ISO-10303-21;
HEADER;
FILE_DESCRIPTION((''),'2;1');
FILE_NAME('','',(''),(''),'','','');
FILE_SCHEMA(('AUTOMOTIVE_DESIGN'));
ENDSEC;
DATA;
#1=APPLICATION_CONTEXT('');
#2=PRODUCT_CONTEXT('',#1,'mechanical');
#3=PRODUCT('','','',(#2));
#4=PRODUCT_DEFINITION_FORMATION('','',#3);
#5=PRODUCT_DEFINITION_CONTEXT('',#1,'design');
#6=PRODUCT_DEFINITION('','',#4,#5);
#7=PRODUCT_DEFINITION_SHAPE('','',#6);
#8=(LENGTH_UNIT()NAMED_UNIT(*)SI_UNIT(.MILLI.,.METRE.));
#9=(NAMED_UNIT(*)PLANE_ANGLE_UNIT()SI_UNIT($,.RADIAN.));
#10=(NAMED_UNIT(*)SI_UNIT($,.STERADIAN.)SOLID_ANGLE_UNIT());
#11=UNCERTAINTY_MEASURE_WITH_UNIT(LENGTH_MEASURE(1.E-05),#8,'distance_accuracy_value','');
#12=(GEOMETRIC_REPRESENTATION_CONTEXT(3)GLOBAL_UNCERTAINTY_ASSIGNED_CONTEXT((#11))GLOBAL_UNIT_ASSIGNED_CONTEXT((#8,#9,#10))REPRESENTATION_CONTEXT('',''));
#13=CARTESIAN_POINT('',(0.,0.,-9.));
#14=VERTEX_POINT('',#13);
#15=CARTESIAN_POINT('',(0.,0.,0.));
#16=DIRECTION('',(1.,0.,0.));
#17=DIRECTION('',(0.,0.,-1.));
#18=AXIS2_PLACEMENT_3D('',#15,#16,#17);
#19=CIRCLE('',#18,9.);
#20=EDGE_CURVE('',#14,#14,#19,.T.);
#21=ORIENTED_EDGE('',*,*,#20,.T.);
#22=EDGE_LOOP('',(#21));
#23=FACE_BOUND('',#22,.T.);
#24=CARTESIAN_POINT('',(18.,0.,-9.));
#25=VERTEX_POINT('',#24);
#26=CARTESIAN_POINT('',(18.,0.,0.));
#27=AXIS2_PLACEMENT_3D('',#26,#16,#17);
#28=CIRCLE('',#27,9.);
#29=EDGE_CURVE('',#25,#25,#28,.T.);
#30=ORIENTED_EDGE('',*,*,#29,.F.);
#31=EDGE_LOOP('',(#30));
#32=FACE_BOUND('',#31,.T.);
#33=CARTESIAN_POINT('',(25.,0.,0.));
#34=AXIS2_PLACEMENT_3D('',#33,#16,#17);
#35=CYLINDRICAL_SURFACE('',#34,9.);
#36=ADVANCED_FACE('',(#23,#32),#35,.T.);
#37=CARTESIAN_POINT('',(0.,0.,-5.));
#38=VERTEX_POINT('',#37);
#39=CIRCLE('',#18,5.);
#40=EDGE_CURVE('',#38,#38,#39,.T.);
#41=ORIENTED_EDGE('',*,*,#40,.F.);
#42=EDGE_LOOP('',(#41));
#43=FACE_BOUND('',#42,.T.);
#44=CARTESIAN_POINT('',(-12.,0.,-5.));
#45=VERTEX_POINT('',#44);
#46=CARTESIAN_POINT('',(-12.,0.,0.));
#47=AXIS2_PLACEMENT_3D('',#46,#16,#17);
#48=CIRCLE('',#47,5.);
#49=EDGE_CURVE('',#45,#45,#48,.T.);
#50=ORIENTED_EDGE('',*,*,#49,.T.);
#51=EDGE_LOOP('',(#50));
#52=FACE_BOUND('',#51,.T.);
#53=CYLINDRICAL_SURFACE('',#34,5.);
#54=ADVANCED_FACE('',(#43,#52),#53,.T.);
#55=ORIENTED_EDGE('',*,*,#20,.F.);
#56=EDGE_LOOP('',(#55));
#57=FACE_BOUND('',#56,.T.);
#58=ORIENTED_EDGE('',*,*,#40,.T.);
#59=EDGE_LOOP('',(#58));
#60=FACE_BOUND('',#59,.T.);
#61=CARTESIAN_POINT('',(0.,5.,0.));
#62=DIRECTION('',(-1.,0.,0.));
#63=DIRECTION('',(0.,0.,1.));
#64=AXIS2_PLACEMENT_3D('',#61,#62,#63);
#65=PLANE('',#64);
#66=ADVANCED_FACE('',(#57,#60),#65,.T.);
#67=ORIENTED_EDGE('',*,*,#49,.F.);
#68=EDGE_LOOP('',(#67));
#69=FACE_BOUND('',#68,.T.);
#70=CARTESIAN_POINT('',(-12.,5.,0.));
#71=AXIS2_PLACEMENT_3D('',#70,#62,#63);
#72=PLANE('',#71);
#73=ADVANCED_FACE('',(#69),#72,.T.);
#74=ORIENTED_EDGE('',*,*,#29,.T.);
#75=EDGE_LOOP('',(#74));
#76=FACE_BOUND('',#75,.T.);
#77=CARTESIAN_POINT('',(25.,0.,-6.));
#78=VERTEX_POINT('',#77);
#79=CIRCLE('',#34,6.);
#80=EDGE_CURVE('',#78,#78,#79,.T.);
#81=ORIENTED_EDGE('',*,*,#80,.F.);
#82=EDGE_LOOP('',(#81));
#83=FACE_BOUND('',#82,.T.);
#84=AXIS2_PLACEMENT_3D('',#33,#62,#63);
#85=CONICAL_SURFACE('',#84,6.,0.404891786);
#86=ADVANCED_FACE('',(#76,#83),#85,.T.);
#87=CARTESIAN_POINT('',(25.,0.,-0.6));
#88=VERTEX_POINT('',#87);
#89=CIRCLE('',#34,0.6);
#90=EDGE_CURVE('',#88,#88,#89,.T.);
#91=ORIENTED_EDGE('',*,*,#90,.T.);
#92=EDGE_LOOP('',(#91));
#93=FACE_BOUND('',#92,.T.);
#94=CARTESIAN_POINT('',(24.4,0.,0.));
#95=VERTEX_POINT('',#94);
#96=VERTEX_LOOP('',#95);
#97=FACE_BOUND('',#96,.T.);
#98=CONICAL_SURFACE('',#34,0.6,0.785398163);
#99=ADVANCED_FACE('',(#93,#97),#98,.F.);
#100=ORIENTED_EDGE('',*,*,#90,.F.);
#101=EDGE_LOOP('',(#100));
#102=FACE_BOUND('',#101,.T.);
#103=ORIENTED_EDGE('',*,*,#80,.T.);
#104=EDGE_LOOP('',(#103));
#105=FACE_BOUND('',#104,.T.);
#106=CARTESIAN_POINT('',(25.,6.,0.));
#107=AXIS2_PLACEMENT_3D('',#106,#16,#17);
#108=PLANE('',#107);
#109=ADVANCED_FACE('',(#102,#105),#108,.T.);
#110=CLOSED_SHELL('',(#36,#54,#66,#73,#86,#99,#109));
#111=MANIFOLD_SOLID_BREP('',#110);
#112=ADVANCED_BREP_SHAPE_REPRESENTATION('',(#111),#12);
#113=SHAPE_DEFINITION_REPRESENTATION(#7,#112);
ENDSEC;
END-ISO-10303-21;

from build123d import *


with BuildPart() as part:
    # 草图1 → 旋转1 (revolve)
    with BuildSketch(Plane.XY, mode=Mode.PRIVATE) as revolve_1_sk:
        Polygon((0, 5), (0, 9), (18, 9), (25, 6), (25, 0), (0, 0), (-12, 0), (-12, 5), align=None)
    revolve(revolve_1_sk.sketch.rotate(Axis((25, 0, 0), (-1, 0, 0)), 90), axis=Axis((25, 0, 0), (-1, 0, 0)))

    # 切除-拉伸1 cone 1 section (through the dimple's axis) → 切除-拉伸1 (revolve, cut)
    with BuildSketch(Plane(origin=(25, 0, 0), x_dir=(0, 0, -1), z_dir=(0, 1, 0))):
        Polygon((0, 0), (0.6, 0), (0, 0.6), align=None)
    revolve(axis=Axis((25, 0, 0), (-1, 0, 0)), mode=Mode.SUBTRACT)


solid = part.part
